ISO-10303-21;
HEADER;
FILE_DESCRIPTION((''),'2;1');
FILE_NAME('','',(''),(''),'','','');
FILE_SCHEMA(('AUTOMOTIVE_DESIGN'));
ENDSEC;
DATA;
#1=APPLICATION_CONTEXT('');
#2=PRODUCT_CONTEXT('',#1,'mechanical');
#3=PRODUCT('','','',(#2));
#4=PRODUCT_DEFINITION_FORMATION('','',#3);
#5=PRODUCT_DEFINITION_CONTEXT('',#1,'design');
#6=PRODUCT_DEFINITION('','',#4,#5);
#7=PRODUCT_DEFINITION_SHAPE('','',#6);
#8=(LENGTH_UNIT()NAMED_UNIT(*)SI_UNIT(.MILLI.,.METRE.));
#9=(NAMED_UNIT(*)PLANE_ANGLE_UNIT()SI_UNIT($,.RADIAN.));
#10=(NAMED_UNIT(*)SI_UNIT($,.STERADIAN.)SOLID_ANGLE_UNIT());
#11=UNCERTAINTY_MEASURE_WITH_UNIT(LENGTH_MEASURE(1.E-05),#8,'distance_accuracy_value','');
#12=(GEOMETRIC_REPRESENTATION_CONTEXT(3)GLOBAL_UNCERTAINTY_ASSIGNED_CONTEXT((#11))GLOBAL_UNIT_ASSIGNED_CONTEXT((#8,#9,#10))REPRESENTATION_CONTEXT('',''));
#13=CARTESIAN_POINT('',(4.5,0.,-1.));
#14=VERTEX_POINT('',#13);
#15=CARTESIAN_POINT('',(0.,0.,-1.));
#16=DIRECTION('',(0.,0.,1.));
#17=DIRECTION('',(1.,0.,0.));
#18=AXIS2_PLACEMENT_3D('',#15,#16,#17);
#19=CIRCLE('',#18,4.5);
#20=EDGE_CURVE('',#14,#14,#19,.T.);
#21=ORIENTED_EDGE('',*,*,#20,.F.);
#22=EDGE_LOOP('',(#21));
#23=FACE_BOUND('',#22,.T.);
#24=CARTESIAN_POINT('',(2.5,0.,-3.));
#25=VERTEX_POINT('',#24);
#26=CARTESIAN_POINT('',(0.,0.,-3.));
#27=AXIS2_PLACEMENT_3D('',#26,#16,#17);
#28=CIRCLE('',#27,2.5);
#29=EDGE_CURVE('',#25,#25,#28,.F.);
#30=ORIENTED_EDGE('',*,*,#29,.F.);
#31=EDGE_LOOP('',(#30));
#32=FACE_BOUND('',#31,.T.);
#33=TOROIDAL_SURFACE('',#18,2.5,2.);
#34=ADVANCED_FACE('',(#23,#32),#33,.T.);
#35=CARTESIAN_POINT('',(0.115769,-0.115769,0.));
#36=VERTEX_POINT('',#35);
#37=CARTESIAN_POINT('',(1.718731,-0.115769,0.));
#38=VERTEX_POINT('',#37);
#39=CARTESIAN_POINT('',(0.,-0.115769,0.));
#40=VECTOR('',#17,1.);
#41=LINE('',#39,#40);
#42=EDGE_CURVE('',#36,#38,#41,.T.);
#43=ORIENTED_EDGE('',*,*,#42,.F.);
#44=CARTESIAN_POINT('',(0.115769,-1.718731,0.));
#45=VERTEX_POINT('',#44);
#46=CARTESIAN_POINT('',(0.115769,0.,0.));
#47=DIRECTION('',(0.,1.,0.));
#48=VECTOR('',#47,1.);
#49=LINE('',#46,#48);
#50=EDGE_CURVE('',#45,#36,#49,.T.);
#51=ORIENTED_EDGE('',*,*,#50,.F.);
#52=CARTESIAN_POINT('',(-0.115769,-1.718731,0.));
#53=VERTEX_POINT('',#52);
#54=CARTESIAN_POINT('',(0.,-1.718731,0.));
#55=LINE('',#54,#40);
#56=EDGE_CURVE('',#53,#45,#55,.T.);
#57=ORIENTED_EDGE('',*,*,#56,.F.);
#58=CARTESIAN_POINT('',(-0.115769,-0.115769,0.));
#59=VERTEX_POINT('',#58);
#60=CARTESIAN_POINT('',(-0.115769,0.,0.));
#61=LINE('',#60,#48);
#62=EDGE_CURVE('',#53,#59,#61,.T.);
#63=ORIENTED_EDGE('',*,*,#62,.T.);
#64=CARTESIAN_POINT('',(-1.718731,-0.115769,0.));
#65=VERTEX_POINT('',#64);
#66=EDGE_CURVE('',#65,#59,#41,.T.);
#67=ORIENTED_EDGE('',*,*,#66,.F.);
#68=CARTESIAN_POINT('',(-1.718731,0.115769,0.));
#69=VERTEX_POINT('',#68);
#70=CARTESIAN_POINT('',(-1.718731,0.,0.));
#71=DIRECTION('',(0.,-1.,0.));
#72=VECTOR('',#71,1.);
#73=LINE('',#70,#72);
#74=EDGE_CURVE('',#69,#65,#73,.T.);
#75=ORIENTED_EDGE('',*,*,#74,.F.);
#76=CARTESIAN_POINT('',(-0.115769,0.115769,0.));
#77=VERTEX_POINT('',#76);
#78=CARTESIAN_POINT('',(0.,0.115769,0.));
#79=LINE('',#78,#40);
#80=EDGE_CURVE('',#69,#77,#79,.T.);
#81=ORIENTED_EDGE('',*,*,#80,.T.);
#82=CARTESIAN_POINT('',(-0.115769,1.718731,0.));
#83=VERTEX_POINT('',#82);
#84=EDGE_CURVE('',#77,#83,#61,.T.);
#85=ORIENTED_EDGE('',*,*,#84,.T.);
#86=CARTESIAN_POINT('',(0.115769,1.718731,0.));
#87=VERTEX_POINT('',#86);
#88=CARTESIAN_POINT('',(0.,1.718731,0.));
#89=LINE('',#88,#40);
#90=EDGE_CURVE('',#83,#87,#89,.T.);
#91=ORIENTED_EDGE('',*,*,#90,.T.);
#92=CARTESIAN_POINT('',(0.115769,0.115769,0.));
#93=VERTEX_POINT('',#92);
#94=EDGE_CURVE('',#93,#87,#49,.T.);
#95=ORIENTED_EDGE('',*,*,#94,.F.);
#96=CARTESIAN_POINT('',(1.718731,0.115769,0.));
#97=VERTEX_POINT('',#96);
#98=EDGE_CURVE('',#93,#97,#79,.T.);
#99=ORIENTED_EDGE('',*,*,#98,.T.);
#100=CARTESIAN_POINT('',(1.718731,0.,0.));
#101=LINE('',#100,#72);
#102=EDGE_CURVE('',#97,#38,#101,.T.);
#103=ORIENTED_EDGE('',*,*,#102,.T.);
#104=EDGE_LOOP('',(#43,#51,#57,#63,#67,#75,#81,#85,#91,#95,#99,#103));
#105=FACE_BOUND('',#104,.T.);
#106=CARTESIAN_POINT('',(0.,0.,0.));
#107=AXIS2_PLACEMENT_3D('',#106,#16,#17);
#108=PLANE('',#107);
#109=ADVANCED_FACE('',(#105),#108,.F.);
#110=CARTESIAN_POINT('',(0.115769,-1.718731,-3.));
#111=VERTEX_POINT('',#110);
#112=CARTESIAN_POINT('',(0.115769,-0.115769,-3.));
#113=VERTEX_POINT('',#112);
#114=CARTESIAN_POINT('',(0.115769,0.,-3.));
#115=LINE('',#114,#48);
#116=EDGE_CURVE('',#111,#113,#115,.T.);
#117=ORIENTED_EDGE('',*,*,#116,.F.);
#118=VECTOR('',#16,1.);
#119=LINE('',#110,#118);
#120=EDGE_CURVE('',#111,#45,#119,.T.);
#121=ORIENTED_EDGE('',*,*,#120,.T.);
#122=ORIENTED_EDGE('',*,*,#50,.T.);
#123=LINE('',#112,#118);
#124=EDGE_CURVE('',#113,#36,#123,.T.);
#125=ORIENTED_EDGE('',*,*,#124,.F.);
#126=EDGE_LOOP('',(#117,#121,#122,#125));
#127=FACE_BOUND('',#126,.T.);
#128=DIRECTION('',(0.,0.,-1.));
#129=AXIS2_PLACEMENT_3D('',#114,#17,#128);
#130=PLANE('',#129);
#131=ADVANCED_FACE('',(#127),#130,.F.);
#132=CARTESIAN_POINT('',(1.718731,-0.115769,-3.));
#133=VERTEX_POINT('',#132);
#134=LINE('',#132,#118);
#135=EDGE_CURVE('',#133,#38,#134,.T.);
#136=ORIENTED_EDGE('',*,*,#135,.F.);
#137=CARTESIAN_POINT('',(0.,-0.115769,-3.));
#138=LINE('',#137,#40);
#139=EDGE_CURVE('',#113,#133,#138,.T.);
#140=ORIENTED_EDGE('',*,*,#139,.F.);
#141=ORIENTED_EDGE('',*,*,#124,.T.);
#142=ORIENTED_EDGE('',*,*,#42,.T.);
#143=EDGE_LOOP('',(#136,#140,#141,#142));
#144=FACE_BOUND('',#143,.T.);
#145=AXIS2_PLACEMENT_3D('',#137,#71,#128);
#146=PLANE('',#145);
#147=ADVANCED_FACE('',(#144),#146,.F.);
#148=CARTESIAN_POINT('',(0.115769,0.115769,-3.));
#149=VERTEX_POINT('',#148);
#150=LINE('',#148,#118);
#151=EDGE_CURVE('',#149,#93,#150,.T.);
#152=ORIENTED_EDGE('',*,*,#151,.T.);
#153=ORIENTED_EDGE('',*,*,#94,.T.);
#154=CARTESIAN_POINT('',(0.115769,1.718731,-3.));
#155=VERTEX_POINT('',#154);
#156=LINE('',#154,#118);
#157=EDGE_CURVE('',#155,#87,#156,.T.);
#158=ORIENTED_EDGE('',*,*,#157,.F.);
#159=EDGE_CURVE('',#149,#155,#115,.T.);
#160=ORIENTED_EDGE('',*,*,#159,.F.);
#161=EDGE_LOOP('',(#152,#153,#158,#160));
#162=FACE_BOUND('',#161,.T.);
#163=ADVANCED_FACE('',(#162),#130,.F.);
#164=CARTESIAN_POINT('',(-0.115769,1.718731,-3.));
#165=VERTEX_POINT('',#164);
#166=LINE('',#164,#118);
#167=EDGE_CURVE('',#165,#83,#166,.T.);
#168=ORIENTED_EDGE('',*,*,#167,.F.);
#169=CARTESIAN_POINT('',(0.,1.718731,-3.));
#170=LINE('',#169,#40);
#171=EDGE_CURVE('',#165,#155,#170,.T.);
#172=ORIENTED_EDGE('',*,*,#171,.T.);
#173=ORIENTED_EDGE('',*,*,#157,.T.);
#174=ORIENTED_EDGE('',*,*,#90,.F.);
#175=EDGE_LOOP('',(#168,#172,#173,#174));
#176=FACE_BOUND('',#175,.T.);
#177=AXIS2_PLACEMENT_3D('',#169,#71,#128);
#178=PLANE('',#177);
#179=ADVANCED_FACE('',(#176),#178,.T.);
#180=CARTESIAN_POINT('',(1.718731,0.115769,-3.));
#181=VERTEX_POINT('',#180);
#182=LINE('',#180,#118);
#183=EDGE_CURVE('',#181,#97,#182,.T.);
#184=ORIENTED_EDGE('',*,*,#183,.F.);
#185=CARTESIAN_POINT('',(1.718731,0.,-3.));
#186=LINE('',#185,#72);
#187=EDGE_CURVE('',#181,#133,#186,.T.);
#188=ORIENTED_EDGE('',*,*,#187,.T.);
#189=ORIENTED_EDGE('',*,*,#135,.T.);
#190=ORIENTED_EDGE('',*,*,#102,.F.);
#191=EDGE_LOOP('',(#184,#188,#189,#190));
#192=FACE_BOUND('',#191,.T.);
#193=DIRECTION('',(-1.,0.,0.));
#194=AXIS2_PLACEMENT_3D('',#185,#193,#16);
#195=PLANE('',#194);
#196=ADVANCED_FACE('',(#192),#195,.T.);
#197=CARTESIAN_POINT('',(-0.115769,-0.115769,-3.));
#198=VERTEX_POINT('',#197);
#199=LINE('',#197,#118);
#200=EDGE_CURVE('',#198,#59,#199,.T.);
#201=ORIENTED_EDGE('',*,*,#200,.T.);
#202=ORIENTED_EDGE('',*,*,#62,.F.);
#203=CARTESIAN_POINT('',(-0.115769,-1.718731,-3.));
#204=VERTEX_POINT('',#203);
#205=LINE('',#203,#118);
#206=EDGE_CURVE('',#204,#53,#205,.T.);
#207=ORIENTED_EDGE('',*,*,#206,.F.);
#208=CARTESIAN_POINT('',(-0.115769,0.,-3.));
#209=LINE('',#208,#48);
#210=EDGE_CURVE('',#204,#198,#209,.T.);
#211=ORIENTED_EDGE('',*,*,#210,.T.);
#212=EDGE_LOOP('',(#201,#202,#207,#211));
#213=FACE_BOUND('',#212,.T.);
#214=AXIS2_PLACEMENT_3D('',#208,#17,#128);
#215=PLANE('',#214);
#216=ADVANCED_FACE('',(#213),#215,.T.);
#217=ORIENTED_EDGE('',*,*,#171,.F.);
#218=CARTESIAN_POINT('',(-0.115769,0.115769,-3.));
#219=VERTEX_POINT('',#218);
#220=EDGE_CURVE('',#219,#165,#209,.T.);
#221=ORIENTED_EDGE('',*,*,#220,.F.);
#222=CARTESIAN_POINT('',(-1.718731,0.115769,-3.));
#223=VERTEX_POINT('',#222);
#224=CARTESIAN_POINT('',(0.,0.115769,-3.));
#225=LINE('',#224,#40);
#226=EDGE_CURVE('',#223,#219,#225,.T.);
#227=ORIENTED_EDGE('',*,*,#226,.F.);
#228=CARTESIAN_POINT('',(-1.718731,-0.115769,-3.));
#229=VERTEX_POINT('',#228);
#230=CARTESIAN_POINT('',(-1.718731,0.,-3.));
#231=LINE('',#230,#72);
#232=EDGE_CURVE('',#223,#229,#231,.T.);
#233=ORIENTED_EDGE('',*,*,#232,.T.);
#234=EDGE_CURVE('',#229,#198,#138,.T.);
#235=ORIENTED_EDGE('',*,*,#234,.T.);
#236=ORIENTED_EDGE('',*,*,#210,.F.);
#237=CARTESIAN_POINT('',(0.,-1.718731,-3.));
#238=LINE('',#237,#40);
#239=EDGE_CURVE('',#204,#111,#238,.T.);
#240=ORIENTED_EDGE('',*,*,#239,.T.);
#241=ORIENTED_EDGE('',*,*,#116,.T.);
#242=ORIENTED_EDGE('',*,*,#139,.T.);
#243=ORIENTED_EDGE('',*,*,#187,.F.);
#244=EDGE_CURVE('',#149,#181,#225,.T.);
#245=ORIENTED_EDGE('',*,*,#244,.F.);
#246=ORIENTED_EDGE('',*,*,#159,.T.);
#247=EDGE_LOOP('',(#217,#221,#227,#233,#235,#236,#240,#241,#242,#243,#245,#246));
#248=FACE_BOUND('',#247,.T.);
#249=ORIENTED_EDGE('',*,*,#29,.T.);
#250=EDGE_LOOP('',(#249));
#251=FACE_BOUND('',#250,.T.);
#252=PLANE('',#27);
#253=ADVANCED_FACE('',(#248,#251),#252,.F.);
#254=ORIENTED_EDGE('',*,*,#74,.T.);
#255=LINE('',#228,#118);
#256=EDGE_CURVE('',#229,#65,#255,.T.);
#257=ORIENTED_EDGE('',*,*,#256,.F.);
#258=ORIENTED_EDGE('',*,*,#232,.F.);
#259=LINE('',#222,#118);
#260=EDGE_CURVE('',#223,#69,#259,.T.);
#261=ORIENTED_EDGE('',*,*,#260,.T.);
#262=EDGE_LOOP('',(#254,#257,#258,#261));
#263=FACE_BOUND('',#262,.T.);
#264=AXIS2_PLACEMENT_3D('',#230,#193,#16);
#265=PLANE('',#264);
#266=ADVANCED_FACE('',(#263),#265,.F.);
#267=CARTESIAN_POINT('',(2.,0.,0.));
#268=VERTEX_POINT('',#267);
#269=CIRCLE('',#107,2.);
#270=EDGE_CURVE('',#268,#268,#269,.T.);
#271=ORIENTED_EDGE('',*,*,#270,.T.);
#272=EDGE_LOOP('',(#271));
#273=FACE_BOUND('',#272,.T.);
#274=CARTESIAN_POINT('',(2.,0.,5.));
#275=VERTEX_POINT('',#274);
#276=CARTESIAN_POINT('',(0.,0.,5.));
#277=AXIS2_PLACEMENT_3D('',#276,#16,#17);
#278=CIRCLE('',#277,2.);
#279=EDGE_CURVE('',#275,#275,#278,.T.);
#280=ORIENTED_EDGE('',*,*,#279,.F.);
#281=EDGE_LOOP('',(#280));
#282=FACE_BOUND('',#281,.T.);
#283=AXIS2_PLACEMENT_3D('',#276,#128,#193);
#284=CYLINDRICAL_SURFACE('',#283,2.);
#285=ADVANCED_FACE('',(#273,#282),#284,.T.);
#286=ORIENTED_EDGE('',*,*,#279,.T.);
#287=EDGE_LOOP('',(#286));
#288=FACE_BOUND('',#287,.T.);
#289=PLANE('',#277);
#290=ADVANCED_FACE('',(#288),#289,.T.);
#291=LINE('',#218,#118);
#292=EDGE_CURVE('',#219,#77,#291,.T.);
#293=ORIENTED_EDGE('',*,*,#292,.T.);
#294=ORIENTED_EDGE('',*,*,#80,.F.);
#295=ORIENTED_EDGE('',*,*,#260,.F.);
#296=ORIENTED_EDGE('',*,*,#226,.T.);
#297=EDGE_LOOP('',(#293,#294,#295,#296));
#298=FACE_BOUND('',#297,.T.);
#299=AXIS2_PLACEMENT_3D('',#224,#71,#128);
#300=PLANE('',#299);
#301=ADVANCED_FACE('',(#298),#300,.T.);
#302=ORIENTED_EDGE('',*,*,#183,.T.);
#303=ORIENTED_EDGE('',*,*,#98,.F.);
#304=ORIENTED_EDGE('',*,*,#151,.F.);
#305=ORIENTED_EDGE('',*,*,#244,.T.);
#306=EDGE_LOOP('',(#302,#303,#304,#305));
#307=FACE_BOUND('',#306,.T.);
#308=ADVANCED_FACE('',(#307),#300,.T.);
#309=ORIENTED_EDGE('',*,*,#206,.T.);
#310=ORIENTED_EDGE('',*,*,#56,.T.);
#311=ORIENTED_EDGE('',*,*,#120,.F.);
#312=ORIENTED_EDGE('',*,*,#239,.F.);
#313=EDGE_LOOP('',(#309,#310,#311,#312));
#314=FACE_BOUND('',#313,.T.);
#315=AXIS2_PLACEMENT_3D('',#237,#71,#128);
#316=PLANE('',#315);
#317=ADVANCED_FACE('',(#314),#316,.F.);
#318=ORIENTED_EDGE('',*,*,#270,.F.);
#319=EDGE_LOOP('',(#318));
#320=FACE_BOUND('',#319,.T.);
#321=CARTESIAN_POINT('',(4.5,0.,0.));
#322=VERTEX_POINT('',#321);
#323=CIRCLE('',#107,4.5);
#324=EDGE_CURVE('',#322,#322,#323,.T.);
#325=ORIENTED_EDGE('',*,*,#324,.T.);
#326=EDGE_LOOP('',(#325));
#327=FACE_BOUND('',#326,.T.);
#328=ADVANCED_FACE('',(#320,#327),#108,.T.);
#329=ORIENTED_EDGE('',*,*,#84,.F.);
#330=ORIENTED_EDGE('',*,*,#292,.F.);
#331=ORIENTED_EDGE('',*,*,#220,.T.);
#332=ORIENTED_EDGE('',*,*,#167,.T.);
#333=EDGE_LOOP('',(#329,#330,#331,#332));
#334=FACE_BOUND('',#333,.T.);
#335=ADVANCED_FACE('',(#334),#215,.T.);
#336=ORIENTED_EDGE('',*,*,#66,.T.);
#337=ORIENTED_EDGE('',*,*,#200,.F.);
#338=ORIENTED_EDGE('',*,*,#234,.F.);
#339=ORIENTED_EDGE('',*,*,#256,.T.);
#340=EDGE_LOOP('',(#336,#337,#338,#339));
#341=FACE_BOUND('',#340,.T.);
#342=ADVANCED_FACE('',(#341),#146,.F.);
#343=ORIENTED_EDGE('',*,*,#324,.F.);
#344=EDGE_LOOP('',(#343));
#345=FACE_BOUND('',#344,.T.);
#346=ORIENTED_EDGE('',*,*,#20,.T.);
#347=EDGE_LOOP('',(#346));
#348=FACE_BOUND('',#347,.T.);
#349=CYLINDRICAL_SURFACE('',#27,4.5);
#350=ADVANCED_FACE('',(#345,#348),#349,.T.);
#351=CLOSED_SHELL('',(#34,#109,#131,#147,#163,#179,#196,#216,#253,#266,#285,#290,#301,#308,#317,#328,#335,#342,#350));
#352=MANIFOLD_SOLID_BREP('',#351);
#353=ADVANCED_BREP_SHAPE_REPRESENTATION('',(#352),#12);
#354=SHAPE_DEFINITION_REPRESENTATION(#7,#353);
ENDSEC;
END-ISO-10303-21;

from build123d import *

# Parameters (mm, degrees)
ESQUISSE1_R        = 2
BOSS_EXTRU_1_DEPTH = 5
ESQUISSE2_R        = 4.5
BOSS_EXTRU_2_DEPTH = 3
CONG_1_R           = 2


with BuildPart() as part:
    # Esquisse1 → Boss.-Extru.1 (new body)
    with BuildSketch(Plane.XY):
        Circle(ESQUISSE1_R)
    extrude(amount=BOSS_EXTRU_1_DEPTH)

    # Esquisse2 → Boss.-Extru.2 (add)
    with BuildSketch(Plane.XY):
        Circle(ESQUISSE2_R)
        Polygon((-1.718731116, -0.115769453), (-1.718731116, 0.115769453), (-0.115769453, 0.115769453), (-0.115769453, 1.718731116), (0.115769453, 1.718731116), (0.115769453, 0.115769453), (1.718731116, 0.115769453), (1.718731116, -0.115769453), (0.115769453, -0.115769453), (0.115769453, -1.718731116), (-0.115769453, -1.718731116), (-0.115769453, -0.115769453), align=None, mode=Mode.SUBTRACT)
    extrude(amount=-BOSS_EXTRU_2_DEPTH)

    # Congé1
    cong_1_edges = [part.edges().sort_by_distance(p)[0] for p in [
        (-4.5, 0, -3),
    ]]
    fillet(cong_1_edges, radius=CONG_1_R)


solid = part.part
